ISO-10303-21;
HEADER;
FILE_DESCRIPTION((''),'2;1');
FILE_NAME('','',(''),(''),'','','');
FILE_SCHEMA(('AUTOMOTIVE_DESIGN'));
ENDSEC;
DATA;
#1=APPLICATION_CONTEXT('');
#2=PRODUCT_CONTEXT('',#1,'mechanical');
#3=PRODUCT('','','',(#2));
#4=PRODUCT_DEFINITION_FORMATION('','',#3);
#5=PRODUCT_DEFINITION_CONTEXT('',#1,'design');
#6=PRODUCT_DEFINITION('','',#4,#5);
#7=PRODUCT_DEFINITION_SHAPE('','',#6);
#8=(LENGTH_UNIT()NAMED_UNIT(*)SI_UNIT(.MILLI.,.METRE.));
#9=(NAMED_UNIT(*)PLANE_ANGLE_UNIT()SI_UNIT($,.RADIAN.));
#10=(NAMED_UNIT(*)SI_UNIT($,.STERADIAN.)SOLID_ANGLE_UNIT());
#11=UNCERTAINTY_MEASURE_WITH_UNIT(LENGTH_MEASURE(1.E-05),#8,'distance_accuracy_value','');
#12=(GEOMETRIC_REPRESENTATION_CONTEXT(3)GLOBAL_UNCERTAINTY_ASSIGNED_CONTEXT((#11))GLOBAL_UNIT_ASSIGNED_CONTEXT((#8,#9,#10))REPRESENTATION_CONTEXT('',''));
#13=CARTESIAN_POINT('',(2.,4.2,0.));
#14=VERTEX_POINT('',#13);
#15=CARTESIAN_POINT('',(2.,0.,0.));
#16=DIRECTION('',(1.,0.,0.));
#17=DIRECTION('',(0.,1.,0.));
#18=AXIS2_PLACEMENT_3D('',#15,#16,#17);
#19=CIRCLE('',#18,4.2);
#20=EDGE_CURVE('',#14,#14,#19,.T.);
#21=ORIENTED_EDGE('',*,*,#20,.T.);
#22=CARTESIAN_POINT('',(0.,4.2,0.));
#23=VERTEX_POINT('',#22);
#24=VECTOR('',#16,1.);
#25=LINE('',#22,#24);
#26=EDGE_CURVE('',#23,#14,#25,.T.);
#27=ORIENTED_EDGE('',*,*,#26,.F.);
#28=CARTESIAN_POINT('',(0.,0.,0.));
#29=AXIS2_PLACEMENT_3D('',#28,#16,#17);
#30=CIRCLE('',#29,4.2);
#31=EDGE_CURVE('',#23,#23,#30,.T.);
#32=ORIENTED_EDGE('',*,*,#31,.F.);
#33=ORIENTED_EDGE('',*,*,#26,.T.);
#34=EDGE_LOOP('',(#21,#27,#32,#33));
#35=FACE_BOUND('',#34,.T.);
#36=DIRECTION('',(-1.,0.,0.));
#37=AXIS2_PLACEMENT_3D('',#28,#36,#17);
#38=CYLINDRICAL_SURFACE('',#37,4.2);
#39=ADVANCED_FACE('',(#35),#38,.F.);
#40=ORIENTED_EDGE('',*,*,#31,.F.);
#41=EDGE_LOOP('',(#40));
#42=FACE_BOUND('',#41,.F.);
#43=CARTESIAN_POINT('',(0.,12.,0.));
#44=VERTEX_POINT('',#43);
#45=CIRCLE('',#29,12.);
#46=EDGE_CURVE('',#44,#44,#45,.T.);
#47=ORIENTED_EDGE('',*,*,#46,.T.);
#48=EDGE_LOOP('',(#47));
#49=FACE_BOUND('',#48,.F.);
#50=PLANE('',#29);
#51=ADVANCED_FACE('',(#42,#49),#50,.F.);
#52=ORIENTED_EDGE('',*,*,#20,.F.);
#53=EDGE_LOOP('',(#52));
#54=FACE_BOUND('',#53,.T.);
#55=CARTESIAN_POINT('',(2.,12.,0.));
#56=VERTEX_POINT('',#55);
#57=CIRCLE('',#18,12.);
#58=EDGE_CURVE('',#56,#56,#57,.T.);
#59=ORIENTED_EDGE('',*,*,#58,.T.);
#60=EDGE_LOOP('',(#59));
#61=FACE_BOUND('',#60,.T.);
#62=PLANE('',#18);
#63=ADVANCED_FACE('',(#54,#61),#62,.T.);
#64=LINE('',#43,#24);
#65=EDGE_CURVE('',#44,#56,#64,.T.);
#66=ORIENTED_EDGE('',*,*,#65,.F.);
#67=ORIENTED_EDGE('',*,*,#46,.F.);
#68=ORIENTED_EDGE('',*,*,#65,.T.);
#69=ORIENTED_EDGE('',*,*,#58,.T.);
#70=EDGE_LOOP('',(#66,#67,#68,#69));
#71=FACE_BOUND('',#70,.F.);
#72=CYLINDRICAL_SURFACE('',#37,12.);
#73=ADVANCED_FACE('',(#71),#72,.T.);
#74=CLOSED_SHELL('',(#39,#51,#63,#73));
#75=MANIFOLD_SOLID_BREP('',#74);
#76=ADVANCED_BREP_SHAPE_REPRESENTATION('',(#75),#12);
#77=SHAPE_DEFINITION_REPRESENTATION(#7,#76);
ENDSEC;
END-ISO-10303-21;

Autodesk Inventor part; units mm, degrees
ref_plane "YZ Plane" through (0, 0, 0) normal (1, 0, 0) x (0, 1, 0)
ref_plane "XZ Plane" through (0, 0, 0) normal (0, 1, 0) x (-1, 0, 0)
sketch "Skizze" plane through (0, 0, 0) normal (1, 0, 0) x (0, 1, 0)
  circle A0 centre (0, 0) radius 12
  circle A1 centre (0, 0) radius 4.2
  dimension "d0" = 8.4
  dimension "d1" = 24
extrude "Körper" add sketch "Skizze" along normal blind 2
ref_plane "Work Plane1" through (0, 0, 0) normal (0, 0, 1) x (1, 0, 0)
equation "\"d0\" = SD1"
equation "\"d1\" = SD2"
equation "\"d2\" = SD"
equation "\"SD1\" = 8.4"
equation "\"SD2\" = 24"
equation "\"SD\" = 2"
equation "\"NND\" = 8"
properties part number "ISO 7093 A - ST 8 - 140 HV" material "Edelstahl"
